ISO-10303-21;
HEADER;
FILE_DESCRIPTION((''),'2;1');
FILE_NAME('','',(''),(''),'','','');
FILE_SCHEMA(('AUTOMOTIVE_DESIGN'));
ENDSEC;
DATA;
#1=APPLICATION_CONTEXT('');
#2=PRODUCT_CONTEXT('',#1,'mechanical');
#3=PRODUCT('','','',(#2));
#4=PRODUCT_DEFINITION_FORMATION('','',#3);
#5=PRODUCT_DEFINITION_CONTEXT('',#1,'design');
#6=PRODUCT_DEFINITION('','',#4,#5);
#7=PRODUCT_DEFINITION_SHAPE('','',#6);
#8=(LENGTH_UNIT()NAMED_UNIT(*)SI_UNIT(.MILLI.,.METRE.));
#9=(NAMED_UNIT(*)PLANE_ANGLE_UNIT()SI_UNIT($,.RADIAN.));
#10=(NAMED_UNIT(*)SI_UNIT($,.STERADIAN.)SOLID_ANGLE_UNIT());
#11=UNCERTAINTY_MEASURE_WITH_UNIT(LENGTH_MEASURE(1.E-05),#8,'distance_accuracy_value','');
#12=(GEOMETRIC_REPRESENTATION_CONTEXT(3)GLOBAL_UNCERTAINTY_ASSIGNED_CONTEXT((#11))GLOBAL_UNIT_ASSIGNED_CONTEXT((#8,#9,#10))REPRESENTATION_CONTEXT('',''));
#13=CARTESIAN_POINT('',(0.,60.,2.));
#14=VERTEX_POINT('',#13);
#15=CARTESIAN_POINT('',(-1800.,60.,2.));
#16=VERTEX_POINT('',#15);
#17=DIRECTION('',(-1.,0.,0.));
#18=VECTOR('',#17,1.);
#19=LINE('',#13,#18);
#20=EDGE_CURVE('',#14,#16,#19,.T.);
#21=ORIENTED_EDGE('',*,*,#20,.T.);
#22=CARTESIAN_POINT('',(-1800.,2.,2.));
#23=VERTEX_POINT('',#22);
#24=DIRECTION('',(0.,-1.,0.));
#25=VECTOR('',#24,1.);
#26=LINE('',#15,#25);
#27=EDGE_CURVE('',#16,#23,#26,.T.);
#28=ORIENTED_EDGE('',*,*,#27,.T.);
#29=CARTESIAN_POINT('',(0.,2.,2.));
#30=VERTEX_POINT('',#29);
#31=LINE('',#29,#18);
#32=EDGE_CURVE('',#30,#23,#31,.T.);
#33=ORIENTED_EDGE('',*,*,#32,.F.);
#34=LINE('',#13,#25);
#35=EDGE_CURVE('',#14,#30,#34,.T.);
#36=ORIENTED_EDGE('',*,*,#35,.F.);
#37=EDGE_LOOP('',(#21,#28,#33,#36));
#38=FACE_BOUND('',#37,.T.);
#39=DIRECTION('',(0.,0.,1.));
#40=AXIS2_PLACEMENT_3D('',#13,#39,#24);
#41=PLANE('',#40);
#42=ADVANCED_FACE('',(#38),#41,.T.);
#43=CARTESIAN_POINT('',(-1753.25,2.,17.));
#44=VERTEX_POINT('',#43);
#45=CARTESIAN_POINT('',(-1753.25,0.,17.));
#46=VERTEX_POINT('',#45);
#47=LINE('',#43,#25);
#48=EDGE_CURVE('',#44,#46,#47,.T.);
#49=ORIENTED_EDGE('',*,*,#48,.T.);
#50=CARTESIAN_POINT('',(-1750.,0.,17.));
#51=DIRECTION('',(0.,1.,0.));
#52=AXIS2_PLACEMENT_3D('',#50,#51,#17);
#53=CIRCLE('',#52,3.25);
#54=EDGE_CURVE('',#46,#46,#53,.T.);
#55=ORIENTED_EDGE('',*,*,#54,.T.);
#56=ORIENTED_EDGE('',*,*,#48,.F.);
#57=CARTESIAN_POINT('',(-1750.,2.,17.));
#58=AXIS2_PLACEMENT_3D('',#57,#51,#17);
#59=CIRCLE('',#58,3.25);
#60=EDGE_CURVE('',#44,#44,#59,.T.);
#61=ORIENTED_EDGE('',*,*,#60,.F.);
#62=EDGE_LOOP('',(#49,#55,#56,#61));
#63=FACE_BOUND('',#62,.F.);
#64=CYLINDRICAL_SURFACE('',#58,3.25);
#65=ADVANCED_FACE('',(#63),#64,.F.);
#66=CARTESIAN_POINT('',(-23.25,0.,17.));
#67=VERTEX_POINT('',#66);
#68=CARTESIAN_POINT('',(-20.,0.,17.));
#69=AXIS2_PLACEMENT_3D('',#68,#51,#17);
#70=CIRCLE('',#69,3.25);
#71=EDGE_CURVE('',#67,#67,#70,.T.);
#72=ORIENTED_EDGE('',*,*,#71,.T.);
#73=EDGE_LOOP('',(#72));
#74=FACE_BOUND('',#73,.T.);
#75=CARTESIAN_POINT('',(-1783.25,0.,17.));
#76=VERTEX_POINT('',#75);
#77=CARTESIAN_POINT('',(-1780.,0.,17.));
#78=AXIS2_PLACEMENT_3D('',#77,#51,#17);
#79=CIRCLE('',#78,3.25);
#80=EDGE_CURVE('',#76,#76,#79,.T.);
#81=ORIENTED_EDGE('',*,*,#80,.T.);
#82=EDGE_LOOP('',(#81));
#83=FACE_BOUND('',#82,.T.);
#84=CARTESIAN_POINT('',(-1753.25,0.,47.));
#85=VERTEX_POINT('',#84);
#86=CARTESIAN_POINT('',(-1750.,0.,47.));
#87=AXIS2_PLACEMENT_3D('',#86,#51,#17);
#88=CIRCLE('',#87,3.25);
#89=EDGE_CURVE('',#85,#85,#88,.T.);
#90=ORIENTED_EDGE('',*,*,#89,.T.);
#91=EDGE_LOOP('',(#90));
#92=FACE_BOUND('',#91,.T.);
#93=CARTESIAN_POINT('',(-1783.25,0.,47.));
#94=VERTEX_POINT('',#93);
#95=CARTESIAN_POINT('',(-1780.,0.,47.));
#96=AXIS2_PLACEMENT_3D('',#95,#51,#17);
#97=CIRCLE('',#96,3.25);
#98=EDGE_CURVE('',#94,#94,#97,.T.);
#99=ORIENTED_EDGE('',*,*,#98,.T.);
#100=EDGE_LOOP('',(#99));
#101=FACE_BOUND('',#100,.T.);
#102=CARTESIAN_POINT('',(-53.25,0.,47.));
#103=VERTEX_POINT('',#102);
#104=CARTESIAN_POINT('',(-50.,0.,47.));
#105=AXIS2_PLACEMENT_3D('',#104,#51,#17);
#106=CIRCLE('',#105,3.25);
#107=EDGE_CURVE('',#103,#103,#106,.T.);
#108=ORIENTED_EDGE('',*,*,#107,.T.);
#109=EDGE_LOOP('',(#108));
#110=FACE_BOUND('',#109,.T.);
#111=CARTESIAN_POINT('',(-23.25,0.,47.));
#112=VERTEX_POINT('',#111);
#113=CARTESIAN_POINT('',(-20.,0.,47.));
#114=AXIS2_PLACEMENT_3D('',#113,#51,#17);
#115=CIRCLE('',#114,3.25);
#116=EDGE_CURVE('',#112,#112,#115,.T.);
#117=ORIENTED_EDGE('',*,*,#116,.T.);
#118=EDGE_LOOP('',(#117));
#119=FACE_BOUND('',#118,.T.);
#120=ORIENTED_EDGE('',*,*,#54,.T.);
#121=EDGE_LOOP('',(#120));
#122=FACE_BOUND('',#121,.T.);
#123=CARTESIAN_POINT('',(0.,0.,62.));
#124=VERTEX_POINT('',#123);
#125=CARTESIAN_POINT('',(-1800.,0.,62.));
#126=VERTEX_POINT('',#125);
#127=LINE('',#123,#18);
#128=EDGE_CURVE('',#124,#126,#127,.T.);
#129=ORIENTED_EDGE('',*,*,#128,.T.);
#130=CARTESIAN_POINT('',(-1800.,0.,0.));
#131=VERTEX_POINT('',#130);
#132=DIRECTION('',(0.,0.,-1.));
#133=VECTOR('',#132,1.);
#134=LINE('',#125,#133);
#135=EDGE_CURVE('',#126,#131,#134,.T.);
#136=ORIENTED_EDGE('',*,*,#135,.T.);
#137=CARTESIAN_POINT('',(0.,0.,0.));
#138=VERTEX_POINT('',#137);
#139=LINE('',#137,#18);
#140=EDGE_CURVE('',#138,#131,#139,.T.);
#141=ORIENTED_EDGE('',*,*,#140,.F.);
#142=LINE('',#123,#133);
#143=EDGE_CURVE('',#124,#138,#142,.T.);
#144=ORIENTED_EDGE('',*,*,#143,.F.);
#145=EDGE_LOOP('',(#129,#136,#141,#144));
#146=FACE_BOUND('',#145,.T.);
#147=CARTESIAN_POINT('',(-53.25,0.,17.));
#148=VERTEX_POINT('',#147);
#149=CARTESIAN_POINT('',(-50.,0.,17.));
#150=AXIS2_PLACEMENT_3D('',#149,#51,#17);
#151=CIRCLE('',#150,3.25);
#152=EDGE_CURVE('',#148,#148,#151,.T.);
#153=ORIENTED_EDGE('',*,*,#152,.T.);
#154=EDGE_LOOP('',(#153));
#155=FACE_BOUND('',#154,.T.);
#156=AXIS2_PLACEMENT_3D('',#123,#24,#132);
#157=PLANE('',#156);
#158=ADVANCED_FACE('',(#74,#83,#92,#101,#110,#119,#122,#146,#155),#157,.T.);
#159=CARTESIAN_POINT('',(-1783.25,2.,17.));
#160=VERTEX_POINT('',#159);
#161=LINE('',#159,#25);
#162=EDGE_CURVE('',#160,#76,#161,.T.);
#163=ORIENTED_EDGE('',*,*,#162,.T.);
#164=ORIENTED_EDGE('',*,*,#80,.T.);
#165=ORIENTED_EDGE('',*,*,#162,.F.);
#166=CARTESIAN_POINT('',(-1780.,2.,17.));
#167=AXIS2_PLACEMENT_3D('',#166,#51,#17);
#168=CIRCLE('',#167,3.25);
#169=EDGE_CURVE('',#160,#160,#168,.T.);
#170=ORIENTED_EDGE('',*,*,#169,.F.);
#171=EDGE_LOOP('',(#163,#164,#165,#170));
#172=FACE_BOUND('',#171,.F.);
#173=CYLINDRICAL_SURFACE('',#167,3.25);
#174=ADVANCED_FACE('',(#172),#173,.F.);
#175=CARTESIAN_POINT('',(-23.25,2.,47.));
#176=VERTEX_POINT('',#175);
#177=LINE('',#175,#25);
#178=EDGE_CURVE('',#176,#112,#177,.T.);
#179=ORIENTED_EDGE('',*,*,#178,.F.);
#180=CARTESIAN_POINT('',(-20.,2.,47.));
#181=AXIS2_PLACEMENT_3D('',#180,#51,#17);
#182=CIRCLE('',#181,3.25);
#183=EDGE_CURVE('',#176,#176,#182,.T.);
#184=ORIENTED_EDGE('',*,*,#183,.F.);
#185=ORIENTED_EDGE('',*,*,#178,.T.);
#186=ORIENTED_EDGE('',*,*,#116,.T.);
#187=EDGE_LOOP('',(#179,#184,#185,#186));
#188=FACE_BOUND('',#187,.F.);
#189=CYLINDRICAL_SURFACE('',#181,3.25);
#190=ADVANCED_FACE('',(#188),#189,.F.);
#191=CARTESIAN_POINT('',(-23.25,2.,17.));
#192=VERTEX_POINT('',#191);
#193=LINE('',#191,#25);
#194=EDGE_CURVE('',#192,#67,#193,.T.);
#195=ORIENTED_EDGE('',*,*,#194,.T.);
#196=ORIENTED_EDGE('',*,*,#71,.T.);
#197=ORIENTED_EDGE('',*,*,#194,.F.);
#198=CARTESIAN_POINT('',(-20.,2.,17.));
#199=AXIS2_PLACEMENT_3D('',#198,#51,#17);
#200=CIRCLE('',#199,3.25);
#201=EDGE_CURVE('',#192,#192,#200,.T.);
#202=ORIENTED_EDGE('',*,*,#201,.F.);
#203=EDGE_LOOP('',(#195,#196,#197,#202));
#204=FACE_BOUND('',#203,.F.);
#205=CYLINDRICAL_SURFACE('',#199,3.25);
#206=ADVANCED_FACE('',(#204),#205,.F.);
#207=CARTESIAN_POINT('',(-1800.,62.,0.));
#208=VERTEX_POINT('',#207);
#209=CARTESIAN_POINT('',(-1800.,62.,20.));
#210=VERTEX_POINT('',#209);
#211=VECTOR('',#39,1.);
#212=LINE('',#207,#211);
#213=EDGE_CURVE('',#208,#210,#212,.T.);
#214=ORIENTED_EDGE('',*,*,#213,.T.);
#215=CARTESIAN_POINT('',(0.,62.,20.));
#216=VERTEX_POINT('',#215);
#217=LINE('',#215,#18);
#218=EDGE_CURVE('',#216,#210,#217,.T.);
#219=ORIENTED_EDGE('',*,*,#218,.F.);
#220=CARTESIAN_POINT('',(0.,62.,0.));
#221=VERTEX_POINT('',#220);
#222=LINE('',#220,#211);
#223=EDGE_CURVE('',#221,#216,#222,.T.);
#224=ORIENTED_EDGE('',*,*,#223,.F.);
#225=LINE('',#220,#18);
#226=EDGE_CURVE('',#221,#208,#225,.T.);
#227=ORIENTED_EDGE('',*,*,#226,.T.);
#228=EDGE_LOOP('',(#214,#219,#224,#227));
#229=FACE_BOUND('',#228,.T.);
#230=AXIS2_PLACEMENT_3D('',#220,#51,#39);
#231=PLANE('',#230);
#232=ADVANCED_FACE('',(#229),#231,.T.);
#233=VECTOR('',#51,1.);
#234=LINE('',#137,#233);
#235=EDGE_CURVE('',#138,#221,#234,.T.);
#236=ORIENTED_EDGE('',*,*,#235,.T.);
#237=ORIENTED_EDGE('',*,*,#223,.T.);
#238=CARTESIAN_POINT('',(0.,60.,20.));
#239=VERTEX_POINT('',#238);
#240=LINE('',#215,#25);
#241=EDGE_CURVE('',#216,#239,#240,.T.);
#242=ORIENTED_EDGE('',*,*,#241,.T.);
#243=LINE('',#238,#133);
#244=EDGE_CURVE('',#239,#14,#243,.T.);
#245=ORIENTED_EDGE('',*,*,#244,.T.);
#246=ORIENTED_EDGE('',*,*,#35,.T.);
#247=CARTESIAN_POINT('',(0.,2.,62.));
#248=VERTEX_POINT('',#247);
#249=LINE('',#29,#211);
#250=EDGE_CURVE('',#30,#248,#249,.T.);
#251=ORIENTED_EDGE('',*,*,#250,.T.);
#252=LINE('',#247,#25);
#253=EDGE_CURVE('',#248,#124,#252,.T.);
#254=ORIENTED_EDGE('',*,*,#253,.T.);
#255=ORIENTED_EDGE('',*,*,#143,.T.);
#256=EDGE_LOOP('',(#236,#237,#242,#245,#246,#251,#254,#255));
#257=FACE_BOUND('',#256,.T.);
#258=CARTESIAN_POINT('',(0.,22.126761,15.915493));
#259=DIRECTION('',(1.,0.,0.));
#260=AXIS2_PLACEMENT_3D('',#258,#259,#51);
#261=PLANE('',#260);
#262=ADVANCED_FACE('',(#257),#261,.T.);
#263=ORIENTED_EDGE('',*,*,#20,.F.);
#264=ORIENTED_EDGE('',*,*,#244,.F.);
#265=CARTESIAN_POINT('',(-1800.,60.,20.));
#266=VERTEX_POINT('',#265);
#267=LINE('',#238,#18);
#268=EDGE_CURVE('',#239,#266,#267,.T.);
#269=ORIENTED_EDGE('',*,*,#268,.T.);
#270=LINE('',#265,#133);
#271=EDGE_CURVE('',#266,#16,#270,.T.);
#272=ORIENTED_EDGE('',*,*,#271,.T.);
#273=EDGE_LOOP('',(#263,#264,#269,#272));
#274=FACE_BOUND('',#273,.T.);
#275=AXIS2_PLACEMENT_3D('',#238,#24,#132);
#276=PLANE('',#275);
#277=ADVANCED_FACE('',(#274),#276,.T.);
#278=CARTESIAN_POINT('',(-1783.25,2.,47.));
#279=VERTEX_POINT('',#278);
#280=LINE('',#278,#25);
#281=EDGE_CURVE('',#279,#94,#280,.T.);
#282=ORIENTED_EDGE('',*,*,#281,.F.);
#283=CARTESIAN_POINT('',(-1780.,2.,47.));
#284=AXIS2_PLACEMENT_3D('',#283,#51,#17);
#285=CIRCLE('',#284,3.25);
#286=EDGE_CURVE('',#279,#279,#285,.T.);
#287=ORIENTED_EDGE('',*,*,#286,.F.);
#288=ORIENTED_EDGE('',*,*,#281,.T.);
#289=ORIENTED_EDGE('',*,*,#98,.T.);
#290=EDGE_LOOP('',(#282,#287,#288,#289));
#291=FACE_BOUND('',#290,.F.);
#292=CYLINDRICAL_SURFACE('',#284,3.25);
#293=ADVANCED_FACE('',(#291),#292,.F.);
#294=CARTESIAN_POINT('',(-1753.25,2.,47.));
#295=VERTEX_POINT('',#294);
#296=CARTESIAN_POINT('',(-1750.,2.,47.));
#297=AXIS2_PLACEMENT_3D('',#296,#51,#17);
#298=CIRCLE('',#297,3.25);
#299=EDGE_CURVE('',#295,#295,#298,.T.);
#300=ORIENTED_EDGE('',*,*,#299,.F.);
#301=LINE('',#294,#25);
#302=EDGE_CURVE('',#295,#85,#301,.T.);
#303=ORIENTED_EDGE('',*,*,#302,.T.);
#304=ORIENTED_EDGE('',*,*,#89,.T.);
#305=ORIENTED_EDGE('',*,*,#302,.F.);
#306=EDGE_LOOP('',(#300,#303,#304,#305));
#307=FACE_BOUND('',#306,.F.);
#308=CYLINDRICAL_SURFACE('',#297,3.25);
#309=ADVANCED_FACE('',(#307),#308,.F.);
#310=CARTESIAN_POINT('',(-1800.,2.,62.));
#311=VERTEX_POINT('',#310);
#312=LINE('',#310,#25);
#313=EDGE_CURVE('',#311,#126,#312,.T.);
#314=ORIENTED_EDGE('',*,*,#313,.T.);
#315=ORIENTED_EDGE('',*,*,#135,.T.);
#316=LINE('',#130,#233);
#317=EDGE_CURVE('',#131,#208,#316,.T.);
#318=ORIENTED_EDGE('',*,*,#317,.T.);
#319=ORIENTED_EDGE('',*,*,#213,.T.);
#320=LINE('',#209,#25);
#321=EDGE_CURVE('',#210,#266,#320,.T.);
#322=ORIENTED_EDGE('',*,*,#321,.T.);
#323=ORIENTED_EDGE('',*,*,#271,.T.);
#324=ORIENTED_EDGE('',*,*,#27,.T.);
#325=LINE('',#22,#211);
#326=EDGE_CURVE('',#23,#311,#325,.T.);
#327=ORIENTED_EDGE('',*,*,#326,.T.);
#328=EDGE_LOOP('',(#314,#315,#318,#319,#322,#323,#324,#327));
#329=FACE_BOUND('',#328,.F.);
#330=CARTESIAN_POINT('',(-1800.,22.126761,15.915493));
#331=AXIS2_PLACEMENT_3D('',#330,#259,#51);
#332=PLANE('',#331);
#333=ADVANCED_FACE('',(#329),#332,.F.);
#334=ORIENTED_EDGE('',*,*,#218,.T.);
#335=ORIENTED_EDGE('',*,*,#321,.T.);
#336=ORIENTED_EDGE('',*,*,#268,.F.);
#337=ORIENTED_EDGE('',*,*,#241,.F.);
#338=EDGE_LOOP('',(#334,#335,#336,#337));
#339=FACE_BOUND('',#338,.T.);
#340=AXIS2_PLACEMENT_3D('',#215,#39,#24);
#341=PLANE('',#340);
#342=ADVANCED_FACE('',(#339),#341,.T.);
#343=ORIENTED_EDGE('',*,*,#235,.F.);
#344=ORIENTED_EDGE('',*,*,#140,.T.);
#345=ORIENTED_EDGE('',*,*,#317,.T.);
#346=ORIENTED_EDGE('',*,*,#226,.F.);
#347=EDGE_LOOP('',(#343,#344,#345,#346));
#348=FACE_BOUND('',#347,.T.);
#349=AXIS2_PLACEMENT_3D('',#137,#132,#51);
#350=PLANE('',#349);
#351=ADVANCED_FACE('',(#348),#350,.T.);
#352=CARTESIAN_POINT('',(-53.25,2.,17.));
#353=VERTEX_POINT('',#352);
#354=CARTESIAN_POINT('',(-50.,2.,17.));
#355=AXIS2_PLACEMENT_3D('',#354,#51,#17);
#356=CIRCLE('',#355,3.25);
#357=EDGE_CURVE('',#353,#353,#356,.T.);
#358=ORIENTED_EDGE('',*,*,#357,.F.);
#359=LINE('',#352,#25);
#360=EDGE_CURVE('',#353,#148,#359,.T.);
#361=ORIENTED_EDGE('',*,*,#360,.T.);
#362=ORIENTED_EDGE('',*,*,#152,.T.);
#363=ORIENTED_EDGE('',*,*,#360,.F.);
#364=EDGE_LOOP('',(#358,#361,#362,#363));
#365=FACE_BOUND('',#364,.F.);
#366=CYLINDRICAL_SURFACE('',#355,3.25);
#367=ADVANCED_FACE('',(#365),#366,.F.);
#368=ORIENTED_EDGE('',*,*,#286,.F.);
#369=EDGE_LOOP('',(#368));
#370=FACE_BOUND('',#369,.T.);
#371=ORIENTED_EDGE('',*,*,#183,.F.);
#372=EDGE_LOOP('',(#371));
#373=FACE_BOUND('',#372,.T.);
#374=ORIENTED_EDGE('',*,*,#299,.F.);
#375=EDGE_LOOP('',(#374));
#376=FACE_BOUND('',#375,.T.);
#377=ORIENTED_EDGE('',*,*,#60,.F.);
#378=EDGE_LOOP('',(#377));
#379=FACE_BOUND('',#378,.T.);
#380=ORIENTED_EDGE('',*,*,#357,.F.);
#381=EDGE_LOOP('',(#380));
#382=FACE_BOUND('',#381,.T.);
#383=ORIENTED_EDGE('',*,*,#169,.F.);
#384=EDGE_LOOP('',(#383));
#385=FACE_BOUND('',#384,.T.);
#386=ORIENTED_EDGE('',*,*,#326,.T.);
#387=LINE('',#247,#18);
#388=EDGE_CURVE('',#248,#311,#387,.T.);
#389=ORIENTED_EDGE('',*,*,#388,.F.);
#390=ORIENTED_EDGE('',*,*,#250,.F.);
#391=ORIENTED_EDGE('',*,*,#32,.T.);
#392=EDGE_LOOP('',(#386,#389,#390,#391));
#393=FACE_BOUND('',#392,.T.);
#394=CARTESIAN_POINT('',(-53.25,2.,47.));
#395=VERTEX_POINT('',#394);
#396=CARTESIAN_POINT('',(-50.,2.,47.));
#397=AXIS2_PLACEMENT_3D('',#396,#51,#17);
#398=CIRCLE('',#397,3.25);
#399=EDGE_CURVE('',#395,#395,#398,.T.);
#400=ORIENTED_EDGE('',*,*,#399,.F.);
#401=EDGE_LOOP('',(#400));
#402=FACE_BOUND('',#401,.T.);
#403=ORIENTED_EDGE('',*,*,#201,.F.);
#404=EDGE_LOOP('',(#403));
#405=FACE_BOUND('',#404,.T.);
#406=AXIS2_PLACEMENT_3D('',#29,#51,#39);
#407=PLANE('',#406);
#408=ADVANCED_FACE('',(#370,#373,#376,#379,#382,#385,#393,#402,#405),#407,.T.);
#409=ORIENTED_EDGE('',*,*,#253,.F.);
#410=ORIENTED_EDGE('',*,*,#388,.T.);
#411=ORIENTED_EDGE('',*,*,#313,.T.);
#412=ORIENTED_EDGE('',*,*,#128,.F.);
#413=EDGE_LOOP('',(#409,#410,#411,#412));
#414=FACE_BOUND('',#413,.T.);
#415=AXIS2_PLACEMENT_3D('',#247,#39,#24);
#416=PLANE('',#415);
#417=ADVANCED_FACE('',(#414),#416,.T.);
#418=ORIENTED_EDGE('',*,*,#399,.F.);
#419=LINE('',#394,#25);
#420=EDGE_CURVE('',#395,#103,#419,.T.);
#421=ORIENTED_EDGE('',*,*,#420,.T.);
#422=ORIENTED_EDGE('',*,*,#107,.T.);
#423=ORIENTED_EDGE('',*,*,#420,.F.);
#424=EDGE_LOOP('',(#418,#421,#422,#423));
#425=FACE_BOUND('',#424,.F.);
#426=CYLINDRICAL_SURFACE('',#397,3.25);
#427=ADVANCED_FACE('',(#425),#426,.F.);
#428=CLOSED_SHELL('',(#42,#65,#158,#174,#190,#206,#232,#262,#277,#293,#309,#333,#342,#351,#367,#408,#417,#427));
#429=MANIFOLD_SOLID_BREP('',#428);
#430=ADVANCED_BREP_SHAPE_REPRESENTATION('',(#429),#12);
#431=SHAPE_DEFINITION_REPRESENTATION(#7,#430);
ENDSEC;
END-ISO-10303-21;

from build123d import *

# Parameters (mm, degrees)
F1_DEPTH = 1800
F2_R     = 3.25
F3_DEPTH = 25


with BuildPart() as f1:
    # F0 (on Right) → F1 (new body)
    with BuildSketch(Plane.YZ):
        Polygon((0, 62), (0, 0), (62, 0), (62, 20), (60, 20), (60, 2), (2, 2), (2, 62), align=None)
    extrude(amount=-F1_DEPTH)

    # F2 (on face) → F3 (cut)
    with BuildSketch(Plane(origin=(0, 2, 0), x_dir=(-1, 0, 0), z_dir=(0, 1, 0))):
        with Locations((20, 47)):
            Circle(F2_R)
        with Locations((50, 47)):
            Circle(F2_R)
        with Locations((20, 17)):
            Circle(F2_R)
        with Locations((50, 17)):
            Circle(F2_R)
        with Locations((1750, 47)):
            Circle(F2_R)
        with Locations((1780, 47)):
            Circle(F2_R)
        with Locations((1780, 17)):
            Circle(F2_R)
        with Locations((1750, 17)):
            Circle(F2_R)
    extrude(amount=-F3_DEPTH, mode=Mode.SUBTRACT)


solid = f1.part
